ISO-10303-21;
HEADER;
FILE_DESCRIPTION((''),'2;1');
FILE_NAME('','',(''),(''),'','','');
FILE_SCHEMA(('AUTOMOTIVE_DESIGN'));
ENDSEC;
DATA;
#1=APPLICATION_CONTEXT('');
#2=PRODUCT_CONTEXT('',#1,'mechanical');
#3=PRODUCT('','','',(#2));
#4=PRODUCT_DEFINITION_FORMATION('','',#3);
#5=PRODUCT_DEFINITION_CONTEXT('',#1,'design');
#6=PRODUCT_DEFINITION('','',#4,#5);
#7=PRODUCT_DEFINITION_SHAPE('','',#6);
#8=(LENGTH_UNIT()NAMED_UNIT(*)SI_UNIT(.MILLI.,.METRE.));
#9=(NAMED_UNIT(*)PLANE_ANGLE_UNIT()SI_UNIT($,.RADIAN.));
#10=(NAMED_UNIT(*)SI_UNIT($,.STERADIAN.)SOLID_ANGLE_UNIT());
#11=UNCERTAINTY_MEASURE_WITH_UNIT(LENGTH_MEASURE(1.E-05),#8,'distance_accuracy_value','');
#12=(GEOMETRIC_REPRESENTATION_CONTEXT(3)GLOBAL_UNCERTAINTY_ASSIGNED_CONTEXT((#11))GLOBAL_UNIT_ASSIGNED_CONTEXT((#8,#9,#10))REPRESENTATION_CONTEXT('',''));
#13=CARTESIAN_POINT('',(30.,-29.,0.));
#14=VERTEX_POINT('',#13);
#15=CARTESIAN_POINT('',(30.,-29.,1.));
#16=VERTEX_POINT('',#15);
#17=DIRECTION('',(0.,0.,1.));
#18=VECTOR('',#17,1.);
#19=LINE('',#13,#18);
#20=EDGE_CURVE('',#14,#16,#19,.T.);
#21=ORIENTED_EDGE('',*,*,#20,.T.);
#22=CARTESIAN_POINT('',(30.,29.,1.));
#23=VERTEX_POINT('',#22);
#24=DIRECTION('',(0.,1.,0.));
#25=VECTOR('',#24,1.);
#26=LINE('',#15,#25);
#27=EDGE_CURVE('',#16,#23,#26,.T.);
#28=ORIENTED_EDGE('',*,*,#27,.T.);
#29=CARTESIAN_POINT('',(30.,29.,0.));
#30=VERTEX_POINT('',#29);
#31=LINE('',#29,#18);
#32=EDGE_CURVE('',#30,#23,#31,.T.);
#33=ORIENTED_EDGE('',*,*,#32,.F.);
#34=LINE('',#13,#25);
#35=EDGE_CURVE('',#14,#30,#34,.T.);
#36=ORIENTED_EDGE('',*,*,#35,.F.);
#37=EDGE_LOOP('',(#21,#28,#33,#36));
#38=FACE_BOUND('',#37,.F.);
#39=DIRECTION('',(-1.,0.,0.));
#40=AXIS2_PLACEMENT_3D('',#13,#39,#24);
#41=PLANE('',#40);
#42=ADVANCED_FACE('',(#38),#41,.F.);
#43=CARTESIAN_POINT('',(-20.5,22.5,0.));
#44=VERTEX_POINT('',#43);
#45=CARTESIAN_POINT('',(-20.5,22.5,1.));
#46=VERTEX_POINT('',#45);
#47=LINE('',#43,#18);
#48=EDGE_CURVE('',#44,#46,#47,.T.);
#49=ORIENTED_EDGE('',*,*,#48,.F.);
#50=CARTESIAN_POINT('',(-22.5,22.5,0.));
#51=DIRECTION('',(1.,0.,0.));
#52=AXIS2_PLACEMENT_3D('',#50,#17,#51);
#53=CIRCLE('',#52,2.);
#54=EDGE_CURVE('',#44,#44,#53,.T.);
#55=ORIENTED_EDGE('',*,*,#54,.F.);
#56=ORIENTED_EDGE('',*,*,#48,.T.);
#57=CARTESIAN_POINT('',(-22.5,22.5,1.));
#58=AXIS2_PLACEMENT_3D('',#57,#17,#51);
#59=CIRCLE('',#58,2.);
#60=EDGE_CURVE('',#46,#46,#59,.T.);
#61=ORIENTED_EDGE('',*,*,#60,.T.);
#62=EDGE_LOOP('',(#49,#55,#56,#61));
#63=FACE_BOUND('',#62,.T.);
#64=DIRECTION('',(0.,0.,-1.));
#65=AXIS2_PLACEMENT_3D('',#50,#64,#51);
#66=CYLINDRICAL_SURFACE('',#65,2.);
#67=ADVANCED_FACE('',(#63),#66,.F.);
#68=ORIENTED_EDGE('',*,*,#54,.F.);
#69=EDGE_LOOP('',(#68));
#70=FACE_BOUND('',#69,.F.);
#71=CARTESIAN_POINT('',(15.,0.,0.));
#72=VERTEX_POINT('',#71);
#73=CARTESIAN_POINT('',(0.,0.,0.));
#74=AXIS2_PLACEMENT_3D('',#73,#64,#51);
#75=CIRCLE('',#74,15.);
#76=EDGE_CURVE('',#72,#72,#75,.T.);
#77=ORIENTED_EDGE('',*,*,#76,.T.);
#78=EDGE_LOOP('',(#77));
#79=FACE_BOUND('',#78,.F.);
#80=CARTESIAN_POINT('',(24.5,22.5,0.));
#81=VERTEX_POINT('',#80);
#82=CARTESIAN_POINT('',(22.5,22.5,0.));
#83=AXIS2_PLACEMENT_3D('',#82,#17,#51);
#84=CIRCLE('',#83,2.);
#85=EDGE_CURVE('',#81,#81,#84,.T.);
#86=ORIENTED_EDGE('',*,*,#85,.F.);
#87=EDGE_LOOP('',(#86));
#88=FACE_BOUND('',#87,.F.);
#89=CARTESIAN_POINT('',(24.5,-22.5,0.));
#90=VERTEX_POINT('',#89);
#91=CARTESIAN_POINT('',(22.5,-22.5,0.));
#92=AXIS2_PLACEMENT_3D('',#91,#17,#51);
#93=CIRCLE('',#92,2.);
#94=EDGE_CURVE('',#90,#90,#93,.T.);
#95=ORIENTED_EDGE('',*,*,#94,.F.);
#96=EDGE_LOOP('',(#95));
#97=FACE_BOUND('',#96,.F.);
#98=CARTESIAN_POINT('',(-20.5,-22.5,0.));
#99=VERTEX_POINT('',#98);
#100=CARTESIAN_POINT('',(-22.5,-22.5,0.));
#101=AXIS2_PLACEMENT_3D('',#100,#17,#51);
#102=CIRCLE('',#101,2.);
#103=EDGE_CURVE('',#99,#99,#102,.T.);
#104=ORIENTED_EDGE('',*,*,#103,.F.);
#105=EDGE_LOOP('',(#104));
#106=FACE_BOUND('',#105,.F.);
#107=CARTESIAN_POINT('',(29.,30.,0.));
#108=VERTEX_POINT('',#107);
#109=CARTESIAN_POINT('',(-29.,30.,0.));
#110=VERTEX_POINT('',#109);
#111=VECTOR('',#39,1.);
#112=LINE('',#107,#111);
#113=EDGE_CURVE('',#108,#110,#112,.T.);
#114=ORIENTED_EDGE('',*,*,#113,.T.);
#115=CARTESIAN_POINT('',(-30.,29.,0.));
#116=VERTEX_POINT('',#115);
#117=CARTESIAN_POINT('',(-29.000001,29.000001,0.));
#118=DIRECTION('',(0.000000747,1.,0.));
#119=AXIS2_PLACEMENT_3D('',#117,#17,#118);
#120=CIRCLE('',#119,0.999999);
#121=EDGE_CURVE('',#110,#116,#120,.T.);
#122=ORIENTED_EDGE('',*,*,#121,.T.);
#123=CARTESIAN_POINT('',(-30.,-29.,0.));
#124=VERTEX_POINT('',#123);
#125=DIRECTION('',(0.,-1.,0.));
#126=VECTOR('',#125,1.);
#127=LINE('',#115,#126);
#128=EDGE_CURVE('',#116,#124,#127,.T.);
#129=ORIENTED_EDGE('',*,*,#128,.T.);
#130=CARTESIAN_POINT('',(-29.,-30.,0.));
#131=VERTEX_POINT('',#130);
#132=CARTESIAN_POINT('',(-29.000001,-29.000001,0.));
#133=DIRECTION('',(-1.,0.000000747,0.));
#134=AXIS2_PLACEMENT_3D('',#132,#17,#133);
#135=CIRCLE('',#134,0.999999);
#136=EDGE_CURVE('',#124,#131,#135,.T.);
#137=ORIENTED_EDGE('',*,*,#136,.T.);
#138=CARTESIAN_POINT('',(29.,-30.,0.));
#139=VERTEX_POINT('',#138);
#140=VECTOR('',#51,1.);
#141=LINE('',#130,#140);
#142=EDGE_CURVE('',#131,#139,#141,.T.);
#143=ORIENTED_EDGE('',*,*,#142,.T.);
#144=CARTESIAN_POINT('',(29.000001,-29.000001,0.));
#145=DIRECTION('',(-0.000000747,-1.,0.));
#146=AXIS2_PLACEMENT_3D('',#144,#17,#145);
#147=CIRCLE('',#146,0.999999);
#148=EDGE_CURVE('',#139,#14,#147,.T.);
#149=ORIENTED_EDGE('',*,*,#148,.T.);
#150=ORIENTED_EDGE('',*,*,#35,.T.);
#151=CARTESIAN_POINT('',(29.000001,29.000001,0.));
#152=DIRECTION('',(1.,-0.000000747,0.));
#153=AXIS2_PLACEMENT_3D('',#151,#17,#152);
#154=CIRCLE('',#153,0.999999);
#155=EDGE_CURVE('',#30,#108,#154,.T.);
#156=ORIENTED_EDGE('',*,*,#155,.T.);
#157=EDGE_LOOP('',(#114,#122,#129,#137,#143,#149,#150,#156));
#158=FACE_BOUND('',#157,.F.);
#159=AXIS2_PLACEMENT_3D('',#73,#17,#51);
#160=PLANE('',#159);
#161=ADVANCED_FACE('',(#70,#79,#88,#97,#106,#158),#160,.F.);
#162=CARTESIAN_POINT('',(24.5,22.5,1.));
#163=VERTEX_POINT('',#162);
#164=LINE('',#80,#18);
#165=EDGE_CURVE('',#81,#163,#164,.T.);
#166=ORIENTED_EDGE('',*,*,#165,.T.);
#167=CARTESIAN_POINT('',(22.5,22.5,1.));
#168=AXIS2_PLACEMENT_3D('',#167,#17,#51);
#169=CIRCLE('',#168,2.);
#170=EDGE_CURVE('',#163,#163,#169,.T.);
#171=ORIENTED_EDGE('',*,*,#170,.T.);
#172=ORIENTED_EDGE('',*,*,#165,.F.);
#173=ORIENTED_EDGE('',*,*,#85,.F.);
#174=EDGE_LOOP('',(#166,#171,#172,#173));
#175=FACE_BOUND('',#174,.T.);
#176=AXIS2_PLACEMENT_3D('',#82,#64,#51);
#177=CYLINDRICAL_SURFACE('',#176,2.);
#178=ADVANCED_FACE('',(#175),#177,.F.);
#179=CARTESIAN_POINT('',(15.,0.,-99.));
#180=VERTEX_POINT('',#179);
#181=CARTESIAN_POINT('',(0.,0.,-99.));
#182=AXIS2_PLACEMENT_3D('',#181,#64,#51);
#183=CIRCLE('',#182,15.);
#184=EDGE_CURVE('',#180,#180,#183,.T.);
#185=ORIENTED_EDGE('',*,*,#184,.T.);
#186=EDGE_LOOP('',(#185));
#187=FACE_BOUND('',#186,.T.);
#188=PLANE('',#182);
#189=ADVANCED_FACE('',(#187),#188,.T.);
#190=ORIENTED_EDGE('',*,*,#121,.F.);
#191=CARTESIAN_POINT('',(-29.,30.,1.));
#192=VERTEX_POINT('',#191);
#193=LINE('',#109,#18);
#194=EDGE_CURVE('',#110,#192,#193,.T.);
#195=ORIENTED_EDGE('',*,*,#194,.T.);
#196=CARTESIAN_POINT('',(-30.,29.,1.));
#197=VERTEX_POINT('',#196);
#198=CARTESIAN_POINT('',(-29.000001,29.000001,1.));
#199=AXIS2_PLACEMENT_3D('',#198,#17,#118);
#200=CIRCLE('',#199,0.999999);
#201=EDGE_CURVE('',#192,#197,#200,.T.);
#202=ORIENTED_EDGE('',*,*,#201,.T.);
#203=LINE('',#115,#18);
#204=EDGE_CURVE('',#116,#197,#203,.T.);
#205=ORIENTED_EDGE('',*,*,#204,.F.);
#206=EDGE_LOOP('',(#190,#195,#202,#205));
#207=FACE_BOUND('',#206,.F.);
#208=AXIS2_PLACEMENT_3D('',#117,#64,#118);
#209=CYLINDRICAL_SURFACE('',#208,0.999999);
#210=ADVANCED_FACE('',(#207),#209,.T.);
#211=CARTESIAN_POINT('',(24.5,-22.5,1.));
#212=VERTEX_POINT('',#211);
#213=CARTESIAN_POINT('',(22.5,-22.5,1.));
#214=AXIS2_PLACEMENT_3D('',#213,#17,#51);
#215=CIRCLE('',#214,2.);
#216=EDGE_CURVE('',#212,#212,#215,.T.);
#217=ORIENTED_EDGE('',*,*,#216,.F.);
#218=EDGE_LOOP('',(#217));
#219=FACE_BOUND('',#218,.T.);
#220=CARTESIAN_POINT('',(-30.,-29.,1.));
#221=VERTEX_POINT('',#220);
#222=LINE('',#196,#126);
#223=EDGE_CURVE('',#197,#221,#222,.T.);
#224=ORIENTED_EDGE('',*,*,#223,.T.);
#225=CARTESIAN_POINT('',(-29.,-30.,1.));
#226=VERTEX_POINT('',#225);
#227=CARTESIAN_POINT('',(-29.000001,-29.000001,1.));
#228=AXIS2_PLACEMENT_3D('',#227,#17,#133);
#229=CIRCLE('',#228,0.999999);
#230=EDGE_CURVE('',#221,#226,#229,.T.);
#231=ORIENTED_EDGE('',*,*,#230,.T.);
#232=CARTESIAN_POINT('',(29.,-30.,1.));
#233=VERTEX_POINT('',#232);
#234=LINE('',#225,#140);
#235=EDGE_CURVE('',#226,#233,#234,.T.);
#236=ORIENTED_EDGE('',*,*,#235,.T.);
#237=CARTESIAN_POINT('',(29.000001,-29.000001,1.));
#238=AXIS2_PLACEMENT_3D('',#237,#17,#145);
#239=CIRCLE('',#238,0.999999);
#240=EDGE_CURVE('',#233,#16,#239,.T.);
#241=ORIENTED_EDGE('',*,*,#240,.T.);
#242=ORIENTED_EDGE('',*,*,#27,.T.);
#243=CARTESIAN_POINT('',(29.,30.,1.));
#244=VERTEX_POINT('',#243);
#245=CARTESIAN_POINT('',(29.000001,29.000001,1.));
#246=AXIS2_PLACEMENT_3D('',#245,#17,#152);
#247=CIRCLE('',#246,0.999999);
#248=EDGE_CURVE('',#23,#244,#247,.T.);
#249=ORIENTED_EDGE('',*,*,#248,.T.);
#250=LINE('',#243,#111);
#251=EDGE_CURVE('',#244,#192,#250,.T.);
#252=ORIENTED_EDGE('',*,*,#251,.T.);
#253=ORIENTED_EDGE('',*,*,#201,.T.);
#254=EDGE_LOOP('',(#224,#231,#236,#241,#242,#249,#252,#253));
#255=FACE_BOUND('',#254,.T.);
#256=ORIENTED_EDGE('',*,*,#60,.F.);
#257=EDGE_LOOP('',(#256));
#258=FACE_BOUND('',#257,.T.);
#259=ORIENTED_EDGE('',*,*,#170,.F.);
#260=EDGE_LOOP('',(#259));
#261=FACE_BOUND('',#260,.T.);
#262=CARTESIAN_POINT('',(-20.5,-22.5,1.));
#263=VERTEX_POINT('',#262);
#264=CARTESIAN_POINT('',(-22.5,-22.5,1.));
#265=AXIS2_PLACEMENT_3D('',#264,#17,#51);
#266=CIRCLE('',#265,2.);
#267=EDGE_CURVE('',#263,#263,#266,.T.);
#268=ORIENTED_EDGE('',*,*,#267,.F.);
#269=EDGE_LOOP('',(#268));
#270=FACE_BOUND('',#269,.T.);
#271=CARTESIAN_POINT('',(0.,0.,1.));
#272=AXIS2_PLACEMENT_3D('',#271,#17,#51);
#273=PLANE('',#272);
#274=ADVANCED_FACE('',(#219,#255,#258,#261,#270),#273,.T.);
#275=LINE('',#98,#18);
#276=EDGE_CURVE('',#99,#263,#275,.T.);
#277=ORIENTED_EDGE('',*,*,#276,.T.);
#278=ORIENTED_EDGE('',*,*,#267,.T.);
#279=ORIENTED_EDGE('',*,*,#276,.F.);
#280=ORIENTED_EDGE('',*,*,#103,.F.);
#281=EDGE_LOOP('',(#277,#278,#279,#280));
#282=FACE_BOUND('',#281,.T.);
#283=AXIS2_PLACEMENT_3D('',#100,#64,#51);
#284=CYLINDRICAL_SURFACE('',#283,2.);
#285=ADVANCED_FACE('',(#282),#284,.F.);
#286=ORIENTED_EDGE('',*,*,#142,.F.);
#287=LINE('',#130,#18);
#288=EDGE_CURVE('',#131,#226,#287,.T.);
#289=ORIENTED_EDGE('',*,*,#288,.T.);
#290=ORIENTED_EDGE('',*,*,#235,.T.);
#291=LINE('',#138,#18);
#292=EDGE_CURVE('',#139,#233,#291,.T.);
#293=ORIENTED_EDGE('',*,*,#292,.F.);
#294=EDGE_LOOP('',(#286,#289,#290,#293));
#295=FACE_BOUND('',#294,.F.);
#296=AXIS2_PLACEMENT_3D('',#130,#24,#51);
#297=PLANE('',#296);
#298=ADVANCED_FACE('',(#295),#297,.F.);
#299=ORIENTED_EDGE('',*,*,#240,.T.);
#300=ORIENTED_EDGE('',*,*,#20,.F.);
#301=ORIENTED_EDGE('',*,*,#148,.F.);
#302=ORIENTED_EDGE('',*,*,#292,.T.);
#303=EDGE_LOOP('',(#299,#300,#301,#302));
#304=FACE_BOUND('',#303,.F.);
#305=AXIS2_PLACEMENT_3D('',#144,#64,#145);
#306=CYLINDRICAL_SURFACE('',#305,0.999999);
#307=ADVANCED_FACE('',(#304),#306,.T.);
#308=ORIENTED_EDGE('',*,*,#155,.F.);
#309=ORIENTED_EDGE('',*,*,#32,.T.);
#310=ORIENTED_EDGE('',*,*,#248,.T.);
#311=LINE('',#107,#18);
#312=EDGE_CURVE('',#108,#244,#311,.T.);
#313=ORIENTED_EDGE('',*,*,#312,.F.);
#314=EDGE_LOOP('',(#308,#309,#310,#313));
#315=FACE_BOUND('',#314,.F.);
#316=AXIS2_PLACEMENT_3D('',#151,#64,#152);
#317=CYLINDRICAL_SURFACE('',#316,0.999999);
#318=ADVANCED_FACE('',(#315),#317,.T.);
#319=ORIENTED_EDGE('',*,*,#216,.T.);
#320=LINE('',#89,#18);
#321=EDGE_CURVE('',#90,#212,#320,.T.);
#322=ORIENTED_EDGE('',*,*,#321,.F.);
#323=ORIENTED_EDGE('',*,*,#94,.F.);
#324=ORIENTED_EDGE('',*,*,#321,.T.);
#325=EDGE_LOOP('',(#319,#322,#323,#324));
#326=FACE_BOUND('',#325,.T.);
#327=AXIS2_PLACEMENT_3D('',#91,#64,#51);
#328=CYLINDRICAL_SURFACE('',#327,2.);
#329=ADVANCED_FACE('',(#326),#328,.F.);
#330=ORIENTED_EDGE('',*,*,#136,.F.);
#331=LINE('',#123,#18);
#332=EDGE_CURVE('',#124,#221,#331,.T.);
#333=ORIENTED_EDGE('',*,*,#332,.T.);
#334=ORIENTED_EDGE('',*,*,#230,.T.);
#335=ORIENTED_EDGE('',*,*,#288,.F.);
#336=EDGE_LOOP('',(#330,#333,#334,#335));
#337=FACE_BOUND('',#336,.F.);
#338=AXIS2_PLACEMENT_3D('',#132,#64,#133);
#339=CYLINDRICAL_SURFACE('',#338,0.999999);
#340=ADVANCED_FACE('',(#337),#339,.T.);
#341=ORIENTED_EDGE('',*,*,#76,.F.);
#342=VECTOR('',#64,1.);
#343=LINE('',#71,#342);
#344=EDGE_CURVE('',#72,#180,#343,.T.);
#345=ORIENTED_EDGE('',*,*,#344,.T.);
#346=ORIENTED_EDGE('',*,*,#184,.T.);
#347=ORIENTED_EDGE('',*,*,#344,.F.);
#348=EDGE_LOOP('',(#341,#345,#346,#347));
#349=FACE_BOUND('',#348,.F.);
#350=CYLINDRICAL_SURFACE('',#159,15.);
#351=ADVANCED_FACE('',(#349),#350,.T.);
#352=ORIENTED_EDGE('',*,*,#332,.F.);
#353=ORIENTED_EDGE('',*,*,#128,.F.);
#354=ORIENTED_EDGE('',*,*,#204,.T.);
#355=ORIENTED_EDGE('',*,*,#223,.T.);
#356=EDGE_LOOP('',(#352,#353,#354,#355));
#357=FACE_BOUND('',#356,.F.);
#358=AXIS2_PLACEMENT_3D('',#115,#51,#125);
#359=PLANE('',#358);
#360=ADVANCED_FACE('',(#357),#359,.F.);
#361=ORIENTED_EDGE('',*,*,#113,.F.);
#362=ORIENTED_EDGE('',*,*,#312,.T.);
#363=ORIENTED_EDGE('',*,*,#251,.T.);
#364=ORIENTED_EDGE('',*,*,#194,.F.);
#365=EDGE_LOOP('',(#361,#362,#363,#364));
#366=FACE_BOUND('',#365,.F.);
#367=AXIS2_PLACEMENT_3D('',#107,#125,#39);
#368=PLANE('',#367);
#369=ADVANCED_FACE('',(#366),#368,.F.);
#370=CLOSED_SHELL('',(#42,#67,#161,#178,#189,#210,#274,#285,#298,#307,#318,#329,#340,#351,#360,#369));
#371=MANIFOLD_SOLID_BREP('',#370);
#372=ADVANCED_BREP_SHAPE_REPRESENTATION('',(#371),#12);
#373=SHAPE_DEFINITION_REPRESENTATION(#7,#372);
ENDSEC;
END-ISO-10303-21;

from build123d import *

# Parameters (mm, degrees)
F0_R     = 2
F1_DEPTH = 1
F2_R     = 15
F3_DEPTH = 99


with BuildPart() as f1:
    # F0 (on Top) → F1 (new body)
    with BuildSketch(Plane.XY):
        with BuildLine():
            ThreePointArc((-30, -29), (-29.707107, -29.707107), (-29, -30))
            Line((-29, -30), (29, -30))
            ThreePointArc((29, -30), (29.707107, -29.707107), (30, -29))
            Line((30, -29), (30, 29))
            ThreePointArc((30, 29), (29.707107, 29.707107), (29, 30))
            Line((29, 30), (-29, 30))
            ThreePointArc((-29, 30), (-29.707107, 29.707107), (-30, 29))
            Line((-30, 29), (-30, -29))
        make_face()
        with Locations((-22.5, -22.5)):
            Circle(F0_R, mode=Mode.SUBTRACT)
        with Locations((22.5, -22.5)):
            Circle(F0_R, mode=Mode.SUBTRACT)
        with Locations((-22.5, 22.5)):
            Circle(F0_R, mode=Mode.SUBTRACT)
        with Locations((22.5, 22.5)):
            Circle(F0_R, mode=Mode.SUBTRACT)
    extrude(amount=F1_DEPTH)

    # F2 (on face) → F3 (join)
    with BuildSketch(Plane(origin=(0, 0, 0), x_dir=(1, 0, 0), z_dir=(0, 0, -1))):
        Circle(F2_R)
    extrude(amount=F3_DEPTH)


solid = f1.part
